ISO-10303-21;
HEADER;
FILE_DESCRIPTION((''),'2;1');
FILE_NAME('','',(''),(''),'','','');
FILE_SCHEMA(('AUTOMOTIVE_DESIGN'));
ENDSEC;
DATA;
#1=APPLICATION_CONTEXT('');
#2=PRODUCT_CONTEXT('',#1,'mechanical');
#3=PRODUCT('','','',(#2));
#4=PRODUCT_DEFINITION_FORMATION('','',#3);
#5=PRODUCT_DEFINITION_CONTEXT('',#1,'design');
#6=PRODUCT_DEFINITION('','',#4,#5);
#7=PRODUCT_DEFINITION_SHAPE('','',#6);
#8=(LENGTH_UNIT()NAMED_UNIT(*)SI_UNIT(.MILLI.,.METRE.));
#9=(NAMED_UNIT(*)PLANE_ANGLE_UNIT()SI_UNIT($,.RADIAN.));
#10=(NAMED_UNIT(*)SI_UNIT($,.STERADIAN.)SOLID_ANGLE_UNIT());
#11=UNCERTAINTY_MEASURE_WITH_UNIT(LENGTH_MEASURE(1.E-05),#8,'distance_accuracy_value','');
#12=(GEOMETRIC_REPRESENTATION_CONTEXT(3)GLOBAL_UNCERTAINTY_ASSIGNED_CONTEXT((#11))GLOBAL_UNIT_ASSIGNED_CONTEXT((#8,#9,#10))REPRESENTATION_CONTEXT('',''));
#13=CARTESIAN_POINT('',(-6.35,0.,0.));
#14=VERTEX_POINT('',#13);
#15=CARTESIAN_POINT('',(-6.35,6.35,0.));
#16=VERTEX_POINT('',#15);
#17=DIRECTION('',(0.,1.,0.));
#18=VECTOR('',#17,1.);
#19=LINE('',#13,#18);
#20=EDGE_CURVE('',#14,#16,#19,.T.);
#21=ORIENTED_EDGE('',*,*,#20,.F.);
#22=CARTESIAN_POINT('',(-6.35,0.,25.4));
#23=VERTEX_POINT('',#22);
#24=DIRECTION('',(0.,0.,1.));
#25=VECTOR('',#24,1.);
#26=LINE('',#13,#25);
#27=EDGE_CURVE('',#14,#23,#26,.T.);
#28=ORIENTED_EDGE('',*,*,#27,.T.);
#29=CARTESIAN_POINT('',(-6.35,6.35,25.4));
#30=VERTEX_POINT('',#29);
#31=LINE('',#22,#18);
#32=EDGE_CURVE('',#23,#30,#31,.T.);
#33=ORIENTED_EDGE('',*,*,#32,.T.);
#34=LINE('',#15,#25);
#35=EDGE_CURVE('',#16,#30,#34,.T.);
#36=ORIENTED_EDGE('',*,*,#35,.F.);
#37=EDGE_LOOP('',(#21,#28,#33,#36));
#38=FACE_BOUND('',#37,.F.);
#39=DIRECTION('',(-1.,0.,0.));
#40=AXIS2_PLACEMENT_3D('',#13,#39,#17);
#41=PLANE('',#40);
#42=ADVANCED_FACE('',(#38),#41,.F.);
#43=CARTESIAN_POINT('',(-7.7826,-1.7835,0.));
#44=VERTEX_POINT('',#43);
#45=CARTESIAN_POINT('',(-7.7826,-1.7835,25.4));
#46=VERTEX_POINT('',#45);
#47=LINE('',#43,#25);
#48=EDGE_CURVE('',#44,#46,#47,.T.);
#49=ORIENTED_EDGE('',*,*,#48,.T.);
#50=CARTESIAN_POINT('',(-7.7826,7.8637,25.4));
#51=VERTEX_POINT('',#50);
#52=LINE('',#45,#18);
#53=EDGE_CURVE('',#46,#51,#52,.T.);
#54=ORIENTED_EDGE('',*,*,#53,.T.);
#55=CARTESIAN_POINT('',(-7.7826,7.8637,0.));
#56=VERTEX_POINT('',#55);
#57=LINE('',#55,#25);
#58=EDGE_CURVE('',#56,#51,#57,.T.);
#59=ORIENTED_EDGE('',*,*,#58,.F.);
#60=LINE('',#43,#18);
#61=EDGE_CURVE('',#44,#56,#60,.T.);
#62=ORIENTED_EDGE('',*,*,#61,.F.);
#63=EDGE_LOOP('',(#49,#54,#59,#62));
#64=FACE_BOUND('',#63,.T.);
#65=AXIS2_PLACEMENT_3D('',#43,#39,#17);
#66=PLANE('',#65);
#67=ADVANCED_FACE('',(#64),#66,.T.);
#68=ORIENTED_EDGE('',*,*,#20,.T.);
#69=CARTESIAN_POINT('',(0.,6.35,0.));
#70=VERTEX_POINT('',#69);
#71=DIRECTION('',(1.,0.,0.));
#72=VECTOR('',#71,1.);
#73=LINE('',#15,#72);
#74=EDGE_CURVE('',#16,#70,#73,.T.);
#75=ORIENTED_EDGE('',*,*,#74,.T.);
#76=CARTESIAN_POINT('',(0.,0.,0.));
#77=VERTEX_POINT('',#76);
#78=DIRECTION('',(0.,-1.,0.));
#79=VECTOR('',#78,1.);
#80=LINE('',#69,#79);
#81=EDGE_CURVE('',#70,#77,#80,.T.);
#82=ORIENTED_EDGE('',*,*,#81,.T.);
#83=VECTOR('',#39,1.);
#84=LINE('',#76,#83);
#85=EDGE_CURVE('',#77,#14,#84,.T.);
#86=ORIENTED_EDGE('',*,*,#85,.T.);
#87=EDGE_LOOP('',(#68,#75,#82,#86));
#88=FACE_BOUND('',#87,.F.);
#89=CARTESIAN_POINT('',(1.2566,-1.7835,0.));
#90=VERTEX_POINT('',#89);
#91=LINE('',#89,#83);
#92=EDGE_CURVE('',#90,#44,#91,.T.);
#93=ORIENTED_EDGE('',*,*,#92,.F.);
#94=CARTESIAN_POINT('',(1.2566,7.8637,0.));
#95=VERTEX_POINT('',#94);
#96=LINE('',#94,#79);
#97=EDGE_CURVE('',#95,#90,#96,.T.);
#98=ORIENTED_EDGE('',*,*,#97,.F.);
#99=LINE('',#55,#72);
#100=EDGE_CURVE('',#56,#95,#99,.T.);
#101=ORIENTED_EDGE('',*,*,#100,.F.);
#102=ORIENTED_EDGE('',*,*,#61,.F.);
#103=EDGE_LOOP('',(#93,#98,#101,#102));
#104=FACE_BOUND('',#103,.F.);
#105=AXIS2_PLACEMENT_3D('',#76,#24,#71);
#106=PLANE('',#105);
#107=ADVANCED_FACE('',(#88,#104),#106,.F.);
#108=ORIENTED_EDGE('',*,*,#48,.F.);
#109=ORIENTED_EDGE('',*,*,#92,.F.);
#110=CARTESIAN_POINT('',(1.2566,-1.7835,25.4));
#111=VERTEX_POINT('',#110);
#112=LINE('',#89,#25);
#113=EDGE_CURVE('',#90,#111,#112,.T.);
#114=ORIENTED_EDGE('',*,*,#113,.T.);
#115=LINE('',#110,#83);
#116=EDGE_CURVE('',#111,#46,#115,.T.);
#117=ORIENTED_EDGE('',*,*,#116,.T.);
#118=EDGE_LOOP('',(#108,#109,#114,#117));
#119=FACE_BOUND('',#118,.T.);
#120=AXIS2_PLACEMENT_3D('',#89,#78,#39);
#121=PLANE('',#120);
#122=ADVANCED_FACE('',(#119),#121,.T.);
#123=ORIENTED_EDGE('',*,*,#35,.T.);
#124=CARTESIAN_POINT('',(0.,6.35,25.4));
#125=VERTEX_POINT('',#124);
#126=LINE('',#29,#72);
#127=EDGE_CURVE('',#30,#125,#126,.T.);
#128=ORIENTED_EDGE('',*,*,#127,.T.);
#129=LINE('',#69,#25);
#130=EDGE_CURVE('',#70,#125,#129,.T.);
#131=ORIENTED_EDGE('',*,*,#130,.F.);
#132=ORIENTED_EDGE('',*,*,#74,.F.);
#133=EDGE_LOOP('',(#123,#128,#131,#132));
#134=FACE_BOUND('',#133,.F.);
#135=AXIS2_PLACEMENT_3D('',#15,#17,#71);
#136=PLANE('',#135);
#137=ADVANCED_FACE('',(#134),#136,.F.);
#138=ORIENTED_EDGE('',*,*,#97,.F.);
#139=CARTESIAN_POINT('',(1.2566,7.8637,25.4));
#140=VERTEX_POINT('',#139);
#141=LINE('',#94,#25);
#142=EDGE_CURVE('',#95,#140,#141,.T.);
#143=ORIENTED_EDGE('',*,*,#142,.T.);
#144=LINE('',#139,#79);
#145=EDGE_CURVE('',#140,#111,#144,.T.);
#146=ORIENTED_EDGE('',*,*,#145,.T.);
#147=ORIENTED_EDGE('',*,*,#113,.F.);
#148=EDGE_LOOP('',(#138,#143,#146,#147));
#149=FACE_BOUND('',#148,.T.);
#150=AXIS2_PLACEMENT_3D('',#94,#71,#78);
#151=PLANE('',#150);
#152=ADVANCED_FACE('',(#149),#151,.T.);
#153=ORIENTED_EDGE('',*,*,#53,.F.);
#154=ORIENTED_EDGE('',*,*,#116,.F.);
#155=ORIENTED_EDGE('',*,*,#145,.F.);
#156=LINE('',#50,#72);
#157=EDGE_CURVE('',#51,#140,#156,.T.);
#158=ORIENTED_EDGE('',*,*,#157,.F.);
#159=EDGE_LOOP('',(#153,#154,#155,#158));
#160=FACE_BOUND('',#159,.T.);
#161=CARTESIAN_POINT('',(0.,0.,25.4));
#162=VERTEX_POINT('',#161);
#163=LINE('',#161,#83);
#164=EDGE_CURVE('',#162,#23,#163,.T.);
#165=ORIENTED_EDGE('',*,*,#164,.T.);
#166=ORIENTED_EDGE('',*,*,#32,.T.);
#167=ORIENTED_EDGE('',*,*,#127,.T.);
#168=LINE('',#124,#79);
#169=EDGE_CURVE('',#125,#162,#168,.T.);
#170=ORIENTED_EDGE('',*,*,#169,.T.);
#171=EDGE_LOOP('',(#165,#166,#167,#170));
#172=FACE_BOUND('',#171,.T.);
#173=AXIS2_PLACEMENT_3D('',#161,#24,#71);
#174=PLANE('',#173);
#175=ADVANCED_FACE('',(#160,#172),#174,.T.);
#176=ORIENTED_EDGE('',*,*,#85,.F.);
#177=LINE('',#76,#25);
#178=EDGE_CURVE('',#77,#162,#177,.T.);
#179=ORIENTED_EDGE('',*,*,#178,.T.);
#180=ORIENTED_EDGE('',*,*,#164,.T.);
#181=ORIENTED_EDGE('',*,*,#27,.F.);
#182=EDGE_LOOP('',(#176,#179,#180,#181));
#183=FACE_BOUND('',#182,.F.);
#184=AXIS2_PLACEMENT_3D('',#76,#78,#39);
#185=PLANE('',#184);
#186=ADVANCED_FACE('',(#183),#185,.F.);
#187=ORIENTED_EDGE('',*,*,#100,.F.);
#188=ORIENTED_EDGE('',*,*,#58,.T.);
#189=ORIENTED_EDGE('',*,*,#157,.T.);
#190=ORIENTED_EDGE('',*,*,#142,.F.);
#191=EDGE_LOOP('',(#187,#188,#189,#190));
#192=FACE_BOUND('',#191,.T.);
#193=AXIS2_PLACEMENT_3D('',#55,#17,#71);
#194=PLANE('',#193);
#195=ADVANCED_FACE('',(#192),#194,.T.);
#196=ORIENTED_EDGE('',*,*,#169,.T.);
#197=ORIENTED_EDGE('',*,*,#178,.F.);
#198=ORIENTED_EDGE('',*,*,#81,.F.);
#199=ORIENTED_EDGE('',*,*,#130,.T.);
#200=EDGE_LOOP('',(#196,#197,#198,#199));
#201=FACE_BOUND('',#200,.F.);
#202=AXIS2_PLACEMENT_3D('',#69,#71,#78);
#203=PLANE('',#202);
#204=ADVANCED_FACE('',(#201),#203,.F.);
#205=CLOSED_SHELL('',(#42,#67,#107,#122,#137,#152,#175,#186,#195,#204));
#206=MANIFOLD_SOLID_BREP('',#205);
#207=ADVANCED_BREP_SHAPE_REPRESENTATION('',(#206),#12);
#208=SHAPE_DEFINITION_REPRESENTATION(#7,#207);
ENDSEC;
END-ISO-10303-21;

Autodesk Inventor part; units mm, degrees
ref_plane "YZ Plane" through (0, 0, 0) normal (1, 0, 0) x (0, 1, 0)
ref_plane "XZ Plane" through (0, 0, 0) normal (0, 1, 0) x (-1, 0, 0)
ref_plane "XY Plane" through (0, 0, 0) normal (0, 0, 1) x (1, 0, 0)
sketch "Sketch1" plane through (0, 0, 0) normal (0, 0, 1) x (1, 0, 0)
  line L0 (0, 0) -> (-6.35, 0)
  line L1 (-6.35, 0) -> (-6.35, 6.35)
  line L2 (-6.35, 6.35) -> (0, 6.35)
  line L3 (0, 6.35) -> (0, 0)
  line L4 (-7.7826, 7.8637) -> (1.2566, 7.8637)
  line L5 (1.2566, 7.8637) -> (1.2566, -1.7835)
  line L6 (1.2566, -1.7835) -> (-7.7826, -1.7835)
  line L7 (-7.7826, -1.7835) -> (-7.7826, 7.8637)
  dimension "d0" = 6.35
  dimension "d1" = 6.35
extrude "Extrusion1" add sketch "Sketch1" along normal blind 25.4
